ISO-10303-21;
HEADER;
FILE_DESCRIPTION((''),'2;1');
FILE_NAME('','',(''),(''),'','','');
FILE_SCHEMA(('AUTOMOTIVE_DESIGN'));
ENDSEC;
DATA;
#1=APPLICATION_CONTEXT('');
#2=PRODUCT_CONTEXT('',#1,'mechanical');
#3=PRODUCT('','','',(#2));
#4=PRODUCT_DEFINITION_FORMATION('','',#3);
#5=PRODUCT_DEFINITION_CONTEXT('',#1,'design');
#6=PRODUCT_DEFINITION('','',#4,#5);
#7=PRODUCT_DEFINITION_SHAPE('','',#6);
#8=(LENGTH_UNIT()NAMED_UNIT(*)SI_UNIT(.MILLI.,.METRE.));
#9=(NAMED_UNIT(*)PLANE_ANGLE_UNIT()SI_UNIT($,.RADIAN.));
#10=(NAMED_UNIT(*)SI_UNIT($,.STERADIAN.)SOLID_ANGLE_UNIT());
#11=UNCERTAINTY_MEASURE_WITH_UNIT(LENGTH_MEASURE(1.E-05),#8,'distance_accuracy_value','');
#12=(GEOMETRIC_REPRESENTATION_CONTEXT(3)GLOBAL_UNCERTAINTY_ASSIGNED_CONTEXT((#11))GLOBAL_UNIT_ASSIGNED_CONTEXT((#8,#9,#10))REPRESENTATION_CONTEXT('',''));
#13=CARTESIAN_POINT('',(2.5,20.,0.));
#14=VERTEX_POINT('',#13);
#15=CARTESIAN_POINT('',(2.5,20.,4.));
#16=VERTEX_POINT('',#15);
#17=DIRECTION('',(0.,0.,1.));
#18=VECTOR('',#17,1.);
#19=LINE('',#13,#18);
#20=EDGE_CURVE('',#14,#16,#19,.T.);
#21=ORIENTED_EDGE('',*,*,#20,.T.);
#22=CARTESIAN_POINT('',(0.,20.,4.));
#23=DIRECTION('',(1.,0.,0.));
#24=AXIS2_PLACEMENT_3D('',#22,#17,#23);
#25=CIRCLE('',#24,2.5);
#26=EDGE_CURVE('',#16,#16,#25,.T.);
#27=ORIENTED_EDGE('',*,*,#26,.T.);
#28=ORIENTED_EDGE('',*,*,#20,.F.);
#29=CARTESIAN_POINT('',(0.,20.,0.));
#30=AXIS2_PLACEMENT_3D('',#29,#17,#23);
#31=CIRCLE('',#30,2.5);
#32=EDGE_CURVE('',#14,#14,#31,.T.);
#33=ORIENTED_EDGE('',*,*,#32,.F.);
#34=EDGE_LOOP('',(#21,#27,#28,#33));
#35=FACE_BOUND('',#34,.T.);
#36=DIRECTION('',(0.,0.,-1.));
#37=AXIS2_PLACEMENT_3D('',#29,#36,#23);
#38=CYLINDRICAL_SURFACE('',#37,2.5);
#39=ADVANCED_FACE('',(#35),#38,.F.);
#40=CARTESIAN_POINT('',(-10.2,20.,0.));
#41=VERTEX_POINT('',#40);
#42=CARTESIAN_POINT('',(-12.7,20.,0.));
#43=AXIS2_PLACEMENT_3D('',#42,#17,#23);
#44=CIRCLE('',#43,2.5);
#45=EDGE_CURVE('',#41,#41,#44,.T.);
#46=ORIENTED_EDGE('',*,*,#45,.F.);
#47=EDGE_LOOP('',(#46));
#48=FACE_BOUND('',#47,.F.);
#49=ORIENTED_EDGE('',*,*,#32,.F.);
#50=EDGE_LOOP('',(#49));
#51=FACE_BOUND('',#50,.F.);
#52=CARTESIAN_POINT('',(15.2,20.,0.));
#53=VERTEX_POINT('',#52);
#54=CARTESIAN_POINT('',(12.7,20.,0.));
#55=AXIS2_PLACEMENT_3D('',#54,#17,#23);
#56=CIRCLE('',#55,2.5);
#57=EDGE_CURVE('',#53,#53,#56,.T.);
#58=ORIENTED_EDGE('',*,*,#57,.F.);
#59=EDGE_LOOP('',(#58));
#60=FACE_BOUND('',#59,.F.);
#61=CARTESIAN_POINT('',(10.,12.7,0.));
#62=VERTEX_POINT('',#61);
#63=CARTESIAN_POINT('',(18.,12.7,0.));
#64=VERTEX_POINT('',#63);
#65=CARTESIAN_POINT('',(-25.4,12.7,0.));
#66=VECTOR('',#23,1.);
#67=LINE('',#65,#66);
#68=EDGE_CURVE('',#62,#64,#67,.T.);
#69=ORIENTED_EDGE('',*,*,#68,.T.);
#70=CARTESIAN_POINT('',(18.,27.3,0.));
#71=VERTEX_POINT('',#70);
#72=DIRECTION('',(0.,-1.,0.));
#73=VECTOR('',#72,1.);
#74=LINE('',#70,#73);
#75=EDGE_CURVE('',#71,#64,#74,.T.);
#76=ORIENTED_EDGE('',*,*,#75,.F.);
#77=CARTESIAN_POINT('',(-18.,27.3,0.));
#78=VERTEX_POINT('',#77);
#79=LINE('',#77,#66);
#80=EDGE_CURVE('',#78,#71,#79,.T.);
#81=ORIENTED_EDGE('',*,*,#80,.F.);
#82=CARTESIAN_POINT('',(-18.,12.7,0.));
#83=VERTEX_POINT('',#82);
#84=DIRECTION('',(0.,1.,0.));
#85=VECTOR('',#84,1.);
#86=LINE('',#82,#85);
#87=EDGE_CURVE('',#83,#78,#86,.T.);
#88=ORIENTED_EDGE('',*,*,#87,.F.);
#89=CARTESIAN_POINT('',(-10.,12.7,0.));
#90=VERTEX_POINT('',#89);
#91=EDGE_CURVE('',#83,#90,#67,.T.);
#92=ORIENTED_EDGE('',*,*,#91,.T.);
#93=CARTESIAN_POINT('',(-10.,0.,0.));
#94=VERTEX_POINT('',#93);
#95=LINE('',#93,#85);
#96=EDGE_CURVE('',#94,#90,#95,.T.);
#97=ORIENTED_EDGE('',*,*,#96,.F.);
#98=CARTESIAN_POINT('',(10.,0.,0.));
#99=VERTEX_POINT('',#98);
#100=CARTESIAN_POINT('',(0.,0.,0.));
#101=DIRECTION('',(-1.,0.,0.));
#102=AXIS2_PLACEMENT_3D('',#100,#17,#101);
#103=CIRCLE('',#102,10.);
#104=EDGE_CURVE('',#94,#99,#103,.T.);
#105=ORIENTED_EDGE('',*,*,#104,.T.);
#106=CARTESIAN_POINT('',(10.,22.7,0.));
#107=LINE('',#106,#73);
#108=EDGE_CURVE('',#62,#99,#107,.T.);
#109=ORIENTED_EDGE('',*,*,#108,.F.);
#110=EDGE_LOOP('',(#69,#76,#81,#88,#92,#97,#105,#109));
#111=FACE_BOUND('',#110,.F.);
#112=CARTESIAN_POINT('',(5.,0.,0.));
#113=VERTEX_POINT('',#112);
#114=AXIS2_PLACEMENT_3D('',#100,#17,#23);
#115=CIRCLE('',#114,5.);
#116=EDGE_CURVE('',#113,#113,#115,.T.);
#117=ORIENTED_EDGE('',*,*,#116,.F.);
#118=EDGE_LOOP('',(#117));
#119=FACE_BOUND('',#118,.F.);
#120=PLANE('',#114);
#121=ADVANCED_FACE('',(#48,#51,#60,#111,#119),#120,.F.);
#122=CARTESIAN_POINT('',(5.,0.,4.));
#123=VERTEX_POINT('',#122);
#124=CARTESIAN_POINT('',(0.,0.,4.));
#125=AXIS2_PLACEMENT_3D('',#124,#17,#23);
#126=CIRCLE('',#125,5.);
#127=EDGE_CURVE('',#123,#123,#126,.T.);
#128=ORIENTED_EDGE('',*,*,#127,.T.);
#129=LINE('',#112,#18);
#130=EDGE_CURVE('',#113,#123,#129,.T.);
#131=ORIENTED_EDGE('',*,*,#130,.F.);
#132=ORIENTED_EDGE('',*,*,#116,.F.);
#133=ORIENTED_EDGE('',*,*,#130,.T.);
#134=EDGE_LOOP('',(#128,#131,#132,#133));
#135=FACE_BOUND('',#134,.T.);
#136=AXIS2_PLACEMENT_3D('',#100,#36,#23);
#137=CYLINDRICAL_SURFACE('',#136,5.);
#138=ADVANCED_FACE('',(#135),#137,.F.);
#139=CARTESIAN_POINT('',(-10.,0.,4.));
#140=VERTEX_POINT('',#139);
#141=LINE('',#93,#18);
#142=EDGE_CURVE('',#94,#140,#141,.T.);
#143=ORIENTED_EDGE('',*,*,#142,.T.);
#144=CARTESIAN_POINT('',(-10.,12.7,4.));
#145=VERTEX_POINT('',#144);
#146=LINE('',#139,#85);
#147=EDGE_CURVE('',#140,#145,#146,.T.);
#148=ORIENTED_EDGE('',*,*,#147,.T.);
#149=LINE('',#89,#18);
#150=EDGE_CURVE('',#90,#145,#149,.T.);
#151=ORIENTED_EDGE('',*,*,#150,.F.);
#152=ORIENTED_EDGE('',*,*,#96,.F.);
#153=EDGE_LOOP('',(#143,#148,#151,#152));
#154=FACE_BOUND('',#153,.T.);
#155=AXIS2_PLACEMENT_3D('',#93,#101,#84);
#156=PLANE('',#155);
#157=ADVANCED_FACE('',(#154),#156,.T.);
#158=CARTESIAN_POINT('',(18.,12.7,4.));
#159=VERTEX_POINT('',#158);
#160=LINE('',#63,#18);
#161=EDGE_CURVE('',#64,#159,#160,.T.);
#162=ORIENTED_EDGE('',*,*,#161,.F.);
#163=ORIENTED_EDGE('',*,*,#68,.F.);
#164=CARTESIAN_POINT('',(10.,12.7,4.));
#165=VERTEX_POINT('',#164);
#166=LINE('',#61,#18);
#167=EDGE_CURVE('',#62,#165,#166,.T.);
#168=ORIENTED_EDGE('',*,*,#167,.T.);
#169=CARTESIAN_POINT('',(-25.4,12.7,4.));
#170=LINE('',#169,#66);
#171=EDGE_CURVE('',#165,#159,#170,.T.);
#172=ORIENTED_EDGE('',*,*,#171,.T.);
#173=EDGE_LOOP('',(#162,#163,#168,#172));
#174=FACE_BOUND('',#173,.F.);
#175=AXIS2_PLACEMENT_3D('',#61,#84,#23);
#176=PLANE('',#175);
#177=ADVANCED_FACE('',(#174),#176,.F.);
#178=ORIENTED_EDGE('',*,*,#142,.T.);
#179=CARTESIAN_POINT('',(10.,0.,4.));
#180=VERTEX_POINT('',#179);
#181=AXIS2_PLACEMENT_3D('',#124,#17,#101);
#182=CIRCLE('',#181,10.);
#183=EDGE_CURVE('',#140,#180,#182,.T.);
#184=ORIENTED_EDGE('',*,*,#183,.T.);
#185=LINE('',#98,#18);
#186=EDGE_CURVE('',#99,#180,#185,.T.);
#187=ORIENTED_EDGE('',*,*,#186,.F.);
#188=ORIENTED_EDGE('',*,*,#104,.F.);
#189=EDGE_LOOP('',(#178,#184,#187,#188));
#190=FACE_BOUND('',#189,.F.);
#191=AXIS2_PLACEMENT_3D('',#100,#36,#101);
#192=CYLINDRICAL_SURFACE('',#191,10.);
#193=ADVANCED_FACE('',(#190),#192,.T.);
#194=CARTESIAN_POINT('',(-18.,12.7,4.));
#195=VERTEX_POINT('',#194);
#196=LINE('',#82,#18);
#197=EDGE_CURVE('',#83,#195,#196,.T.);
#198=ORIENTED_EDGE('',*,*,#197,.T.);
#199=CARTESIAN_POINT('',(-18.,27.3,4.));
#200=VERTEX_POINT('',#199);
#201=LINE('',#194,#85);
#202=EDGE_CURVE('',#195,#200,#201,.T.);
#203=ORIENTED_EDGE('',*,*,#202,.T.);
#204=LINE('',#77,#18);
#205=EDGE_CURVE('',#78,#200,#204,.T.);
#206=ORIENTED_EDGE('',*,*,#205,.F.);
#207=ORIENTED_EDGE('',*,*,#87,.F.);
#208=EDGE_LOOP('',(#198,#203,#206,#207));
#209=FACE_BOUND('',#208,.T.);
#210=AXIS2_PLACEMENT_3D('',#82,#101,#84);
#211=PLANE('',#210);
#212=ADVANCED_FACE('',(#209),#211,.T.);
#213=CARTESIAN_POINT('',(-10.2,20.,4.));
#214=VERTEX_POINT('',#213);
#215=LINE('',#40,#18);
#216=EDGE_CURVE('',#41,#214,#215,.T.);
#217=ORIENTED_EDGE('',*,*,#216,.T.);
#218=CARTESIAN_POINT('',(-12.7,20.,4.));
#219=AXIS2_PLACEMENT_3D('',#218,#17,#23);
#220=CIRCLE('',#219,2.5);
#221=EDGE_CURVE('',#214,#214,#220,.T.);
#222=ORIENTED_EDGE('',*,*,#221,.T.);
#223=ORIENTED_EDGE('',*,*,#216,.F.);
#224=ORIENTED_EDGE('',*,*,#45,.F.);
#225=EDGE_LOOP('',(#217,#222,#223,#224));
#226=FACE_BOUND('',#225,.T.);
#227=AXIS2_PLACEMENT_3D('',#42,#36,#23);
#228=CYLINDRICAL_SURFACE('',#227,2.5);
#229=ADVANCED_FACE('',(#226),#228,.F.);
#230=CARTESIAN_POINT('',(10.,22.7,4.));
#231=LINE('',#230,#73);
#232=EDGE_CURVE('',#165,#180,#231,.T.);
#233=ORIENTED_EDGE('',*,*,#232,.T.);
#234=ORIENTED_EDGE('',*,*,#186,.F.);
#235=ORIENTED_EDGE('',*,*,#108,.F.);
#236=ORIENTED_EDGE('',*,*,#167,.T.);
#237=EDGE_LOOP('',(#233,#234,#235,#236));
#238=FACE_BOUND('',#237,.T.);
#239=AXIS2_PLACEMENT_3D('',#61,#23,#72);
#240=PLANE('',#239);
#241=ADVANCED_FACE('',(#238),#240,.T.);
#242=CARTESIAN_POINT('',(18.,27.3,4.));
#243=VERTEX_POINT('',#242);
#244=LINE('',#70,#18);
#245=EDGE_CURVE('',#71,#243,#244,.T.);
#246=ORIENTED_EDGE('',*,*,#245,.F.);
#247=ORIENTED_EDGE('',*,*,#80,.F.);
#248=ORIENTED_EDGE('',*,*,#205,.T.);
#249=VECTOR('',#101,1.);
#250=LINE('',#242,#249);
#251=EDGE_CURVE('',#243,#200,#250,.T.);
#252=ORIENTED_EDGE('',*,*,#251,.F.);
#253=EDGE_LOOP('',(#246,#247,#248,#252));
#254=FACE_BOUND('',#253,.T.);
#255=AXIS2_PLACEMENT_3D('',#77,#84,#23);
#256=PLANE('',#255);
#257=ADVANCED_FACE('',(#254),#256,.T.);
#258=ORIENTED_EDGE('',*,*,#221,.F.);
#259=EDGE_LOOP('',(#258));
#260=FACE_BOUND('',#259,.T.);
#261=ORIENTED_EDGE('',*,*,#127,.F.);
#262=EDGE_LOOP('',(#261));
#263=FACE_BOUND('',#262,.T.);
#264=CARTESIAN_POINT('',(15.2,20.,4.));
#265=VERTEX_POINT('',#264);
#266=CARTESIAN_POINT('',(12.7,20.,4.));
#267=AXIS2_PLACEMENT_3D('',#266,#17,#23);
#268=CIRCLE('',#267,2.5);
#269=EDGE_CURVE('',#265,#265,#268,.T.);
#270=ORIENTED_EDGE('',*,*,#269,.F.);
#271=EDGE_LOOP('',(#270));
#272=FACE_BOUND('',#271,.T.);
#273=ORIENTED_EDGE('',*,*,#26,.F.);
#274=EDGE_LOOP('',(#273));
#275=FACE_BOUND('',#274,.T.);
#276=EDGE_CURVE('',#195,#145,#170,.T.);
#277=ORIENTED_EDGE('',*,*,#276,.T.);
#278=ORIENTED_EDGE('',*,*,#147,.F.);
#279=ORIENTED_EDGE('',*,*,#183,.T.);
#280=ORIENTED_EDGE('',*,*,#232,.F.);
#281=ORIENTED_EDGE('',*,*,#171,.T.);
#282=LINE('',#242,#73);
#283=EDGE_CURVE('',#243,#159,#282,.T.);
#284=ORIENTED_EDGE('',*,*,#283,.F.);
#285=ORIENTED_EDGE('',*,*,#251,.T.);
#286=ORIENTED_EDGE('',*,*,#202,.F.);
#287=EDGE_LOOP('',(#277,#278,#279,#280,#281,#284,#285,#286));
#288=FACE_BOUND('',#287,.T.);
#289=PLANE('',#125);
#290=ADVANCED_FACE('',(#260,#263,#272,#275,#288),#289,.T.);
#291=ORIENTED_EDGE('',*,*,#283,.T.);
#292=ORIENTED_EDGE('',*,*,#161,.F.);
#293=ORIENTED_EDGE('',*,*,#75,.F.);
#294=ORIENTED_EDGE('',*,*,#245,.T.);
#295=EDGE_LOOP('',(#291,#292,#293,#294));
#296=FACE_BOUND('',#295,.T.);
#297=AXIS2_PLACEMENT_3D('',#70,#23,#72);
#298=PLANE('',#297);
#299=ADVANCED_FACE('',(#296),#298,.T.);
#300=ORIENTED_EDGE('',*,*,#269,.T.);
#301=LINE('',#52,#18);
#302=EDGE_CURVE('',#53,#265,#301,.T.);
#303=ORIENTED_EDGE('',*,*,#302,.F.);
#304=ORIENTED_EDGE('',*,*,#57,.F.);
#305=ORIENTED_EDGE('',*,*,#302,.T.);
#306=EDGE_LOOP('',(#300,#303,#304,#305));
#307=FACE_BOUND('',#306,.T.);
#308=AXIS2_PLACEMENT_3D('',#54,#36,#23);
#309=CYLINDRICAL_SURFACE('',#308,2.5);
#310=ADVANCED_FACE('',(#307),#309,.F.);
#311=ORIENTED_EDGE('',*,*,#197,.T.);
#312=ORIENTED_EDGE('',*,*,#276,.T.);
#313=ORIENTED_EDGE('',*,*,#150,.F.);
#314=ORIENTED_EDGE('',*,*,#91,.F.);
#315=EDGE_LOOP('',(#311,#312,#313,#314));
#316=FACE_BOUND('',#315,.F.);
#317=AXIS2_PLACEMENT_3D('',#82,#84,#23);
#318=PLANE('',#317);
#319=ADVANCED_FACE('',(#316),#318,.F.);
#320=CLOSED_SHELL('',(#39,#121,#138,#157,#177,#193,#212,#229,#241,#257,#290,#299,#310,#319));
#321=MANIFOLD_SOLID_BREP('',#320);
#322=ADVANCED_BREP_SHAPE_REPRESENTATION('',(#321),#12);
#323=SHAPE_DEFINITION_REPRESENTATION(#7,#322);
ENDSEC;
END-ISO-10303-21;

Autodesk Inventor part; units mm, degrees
ref_plane "YZ Plane" through (0, 0, 0) normal (1, 0, 0) x (0, 1, 0)
ref_plane "XZ Plane" through (0, 0, 0) normal (0, 1, 0) x (-1, 0, 0)
ref_plane "XY Plane" through (0, 0, 0) normal (0, 0, 1) x (1, 0, 0)
sketch "Esboço1" plane through (0, 0, 0) normal (0, 0, 1) x (1, 0, 0)
  circle A0 centre (0, 0) radius 5
  line L0 (0, 0) -> (0, 22.7) construction
  line L1 (-10, 0) -> (-10, 22.7)
  line L2 (10, 22.7) -> (10, 0)
  arc A1 (-10, 0) -> (10, 0) centre (0, 0) ccw
  arc A2 (10, 22.7) -> (-10, 22.7) centre (0, 22.7) ccw
  line L3 (-25.4, 12.7) -> (25.4, 12.7)
  line L4 (25.4, 12.7) -> (25.4, 32.7)
  line L5 (25.4, 32.7) -> (-25.4, 32.7)
  line L6 (-25.4, 32.7) -> (-25.4, 12.7)
  line L7 (-25.4, 12.7) -> (25.4, 32.7) construction
  line L8 (25.4, 12.7) -> (-25.4, 32.7) construction
  circle A3 centre (0, 20) radius 2.5
  line L9 (25.4, 12.7) -> (-25.4, 12.7)
  line L10 (-25.4, 12.7) -> (-25.4, 27.3)
  line L11 (-25.4, 27.3) -> (25.4, 27.3)
  line L12 (25.4, 27.3) -> (25.4, 12.7)
  line L13 (25.4, 12.7) -> (-25.4, 27.3) construction
  line L14 (-25.4, 12.7) -> (25.4, 27.3) construction
  circle A4 centre (12.7, 20) radius 2.5
  circle A5 centre (-12.7, 20) radius 2.5
  line L15 (18, 12.7) -> (-18, 12.7)
  line L16 (-18, 12.7) -> (-18, 27.3)
  line L17 (-18, 27.3) -> (18, 27.3)
  line L18 (18, 27.3) -> (18, 12.7)
  line L19 (18, 12.7) -> (-18, 27.3) construction
  line L20 (-18, 12.7) -> (18, 27.3) construction
  point P0 (0, 11.35)
  point P1 (25.4, 22.7)
  point P2 (-10, 12.7)
  point P3 (10, 12.7)
  dimension "d0" = 10
  dimension "d1" = 5
  dimension "d2" = 25.4
  dimension "d3" = 5
  dimension "d4" = 12.7
  dimension "d5" = 7.3
  dimension "d6" = 20
  dimension "d9" = 12.7
  dimension "d14" = 18
extrude "Extrusão1" add sketch "Esboço1" along normal blind 4 contours L1 L3 L2 A1 | L3 L16 L11 A2 L1 | L1 A2 L11 L2 L3 | L2 A2 L11 L18 L3
properties part number "Suporte Coletor - Intake"
